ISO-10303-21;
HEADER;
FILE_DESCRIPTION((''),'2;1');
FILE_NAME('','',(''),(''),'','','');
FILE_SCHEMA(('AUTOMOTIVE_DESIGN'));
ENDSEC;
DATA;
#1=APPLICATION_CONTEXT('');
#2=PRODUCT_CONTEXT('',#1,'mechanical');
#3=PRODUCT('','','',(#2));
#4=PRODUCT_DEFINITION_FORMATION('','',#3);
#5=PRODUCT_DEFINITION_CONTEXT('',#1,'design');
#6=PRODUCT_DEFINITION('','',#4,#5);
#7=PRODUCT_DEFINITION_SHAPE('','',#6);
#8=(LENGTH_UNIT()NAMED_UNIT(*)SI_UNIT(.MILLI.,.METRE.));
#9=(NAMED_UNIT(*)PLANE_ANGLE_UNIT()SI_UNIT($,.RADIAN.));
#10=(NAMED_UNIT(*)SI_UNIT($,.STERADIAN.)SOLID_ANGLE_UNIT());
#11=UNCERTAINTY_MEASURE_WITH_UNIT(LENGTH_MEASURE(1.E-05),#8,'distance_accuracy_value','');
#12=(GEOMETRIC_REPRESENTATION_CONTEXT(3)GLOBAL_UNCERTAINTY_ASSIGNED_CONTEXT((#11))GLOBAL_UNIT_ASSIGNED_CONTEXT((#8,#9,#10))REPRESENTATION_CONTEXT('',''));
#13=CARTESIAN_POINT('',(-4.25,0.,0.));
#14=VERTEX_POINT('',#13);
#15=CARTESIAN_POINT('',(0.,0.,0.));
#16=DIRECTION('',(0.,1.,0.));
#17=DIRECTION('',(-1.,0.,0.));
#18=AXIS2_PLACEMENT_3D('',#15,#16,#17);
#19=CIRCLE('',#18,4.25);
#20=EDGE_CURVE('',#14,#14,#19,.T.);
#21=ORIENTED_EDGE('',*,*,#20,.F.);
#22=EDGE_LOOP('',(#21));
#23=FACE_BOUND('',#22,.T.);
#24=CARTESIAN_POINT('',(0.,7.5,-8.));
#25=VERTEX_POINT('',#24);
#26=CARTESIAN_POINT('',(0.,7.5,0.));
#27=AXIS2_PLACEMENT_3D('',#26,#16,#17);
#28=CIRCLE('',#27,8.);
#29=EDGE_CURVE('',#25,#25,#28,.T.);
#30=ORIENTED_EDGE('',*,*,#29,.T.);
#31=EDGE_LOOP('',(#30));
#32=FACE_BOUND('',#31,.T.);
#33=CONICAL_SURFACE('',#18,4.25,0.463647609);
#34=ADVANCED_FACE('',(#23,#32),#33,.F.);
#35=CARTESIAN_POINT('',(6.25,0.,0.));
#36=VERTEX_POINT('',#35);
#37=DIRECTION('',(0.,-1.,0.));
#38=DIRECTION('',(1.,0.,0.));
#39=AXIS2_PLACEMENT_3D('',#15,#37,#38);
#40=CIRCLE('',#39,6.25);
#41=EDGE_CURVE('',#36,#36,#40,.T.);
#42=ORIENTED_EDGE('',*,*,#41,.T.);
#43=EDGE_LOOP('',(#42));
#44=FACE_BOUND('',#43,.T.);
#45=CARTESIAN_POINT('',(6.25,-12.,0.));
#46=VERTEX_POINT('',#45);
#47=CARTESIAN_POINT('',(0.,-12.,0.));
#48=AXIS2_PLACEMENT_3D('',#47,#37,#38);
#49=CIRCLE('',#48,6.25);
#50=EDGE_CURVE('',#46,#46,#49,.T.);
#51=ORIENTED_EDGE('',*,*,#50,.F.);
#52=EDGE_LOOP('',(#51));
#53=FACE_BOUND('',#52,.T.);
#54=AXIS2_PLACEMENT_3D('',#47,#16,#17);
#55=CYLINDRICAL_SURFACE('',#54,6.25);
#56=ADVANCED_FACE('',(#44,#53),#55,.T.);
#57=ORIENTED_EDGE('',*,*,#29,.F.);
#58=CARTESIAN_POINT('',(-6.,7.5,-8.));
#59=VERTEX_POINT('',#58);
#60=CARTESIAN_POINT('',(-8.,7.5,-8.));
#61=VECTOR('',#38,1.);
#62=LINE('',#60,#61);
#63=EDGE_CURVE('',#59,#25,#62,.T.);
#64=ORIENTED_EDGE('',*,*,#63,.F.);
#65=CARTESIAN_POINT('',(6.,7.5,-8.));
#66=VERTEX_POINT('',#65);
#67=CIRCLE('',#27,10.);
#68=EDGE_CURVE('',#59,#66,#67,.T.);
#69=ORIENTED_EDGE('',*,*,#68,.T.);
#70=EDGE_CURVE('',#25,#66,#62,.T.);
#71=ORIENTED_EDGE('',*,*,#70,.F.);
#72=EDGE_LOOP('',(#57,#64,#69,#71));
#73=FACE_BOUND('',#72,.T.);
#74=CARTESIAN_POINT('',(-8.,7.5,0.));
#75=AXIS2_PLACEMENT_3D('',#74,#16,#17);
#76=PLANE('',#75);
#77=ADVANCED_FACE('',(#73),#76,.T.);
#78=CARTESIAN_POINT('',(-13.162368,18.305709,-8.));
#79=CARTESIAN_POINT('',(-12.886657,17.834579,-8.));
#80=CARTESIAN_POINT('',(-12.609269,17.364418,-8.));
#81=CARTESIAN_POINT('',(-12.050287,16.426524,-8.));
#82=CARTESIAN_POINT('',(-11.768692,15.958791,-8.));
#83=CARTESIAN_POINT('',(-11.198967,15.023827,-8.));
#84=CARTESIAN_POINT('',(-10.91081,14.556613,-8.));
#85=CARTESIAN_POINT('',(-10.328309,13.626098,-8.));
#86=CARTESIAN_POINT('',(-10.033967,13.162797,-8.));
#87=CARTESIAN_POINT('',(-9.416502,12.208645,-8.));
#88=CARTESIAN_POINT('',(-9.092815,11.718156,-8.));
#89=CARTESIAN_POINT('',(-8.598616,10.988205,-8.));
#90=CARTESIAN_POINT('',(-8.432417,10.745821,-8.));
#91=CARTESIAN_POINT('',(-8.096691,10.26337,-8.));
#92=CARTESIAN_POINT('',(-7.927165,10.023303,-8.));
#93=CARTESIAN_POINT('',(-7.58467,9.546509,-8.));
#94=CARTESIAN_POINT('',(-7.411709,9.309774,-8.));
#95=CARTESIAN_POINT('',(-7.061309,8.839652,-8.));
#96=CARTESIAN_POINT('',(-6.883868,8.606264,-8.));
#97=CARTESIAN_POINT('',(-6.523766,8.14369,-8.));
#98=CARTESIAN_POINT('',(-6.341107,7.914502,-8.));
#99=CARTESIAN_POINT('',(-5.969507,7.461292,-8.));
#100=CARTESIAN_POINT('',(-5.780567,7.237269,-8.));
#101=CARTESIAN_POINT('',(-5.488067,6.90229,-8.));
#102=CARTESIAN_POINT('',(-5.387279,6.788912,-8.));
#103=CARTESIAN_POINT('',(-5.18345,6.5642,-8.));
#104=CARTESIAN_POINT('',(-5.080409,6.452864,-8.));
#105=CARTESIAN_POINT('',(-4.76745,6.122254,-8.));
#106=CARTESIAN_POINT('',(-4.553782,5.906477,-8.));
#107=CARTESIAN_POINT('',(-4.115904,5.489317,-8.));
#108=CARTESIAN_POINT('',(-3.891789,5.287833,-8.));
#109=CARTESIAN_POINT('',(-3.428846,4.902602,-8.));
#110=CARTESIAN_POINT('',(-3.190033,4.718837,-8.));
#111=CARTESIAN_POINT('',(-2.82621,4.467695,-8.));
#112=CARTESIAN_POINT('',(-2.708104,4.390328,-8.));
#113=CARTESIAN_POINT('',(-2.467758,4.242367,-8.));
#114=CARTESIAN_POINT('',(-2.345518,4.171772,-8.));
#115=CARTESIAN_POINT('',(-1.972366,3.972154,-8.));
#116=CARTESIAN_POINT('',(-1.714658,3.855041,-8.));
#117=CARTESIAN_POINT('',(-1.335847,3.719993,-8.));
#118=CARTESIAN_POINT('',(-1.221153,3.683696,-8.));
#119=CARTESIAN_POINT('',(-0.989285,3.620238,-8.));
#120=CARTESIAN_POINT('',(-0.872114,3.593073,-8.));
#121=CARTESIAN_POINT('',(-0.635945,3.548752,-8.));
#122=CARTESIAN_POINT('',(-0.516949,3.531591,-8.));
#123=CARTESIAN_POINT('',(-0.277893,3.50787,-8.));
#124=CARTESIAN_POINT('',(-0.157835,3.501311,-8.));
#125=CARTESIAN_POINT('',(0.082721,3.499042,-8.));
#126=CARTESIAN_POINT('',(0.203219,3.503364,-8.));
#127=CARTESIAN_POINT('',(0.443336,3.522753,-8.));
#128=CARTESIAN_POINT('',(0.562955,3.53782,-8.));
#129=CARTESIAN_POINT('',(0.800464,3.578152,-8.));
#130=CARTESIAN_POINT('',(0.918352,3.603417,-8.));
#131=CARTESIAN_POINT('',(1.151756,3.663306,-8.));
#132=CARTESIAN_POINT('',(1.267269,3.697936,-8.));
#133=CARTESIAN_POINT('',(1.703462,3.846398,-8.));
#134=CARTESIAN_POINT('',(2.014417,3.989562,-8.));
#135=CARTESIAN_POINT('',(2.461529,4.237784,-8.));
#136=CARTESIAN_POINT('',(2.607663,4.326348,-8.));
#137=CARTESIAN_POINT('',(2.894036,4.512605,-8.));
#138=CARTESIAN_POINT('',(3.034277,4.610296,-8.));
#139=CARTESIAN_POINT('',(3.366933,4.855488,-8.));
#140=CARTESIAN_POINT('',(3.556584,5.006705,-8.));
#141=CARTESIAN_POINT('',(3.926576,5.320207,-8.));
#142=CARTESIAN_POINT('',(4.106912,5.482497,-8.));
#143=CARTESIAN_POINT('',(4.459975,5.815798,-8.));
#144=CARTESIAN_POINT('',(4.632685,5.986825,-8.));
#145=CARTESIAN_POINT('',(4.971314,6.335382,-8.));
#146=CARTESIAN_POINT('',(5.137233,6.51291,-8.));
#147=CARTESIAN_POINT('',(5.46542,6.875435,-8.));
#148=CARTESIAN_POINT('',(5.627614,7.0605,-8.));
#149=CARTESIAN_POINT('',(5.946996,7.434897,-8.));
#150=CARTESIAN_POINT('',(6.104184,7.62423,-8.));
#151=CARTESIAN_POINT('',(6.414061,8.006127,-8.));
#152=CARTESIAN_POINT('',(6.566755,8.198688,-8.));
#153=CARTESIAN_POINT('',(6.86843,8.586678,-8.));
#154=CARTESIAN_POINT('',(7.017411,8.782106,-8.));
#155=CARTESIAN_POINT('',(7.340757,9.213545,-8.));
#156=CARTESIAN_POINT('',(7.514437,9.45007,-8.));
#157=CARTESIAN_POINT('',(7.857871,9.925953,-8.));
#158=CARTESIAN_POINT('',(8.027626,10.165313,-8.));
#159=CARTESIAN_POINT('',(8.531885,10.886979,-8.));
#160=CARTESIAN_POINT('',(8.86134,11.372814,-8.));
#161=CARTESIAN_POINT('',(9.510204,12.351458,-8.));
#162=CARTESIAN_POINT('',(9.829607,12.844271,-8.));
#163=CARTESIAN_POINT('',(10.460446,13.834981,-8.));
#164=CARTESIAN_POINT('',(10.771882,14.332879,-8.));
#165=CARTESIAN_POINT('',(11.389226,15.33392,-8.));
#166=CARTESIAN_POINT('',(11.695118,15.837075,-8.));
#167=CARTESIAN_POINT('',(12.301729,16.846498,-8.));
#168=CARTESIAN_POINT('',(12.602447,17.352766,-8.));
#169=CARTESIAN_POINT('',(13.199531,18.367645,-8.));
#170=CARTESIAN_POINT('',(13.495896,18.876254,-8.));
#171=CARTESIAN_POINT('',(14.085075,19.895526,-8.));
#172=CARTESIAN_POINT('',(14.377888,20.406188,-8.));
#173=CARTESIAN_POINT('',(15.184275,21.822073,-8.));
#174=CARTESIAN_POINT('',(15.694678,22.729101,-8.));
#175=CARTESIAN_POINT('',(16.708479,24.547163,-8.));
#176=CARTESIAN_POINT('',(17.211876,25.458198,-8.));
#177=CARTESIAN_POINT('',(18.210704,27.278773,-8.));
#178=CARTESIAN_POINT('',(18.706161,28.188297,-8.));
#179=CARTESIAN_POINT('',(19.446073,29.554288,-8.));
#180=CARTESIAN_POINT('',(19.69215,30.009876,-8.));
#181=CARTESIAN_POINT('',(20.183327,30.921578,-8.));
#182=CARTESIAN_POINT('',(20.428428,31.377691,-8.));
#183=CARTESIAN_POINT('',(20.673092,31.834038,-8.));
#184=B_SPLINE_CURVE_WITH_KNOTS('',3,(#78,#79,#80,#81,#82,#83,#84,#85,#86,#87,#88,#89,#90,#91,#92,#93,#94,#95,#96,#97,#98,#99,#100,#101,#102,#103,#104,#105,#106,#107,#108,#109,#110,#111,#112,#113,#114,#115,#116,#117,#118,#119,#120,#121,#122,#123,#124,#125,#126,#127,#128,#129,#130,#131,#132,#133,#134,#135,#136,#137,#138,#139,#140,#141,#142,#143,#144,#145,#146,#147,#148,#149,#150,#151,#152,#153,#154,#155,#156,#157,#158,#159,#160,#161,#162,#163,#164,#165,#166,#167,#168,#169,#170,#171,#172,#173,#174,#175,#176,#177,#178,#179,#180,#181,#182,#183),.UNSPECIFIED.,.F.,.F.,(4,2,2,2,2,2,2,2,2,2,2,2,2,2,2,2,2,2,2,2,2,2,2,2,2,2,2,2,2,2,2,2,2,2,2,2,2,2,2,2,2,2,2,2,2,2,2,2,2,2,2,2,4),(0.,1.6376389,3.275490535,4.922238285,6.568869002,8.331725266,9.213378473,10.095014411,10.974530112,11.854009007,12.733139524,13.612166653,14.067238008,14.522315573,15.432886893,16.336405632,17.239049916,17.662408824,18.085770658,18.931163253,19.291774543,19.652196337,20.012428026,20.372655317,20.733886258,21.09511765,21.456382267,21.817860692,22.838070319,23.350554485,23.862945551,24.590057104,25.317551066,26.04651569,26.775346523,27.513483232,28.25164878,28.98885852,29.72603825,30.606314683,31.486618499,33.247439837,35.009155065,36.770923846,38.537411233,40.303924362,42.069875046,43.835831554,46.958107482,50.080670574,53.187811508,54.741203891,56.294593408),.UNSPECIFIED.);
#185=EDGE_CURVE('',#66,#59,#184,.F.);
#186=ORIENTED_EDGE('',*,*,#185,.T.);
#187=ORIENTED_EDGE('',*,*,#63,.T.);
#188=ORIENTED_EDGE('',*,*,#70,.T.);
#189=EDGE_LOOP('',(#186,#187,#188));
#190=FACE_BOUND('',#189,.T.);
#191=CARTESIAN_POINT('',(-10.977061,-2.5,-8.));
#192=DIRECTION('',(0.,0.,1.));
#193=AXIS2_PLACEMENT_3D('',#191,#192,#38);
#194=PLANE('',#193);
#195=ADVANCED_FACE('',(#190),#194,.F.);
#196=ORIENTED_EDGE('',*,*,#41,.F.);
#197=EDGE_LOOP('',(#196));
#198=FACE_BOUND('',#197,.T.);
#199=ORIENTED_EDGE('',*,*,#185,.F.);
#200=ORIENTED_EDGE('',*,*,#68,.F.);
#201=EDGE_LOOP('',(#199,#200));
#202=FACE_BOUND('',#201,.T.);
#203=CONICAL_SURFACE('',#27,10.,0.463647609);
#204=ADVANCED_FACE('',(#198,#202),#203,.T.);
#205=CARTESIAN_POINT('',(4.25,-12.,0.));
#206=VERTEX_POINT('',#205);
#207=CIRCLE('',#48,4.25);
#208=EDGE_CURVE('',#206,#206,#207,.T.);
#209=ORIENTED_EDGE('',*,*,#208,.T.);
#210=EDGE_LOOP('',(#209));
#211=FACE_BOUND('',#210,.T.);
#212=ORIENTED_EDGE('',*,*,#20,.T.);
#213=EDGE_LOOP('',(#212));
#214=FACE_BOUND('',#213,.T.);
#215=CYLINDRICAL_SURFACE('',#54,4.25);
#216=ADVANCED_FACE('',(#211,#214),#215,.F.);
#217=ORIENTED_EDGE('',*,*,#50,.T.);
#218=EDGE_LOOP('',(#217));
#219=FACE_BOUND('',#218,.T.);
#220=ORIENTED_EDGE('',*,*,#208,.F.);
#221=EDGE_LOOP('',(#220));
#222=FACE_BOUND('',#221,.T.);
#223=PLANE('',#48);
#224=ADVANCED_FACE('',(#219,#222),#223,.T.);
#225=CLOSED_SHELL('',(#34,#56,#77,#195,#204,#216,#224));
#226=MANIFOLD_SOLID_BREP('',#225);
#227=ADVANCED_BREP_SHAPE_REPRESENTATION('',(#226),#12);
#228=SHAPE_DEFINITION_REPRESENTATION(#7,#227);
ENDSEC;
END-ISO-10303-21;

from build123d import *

# Parameters (mm, degrees)
CROQUIS3_R              = 6.25
CROQUIS3_R_2            = 4.25
SALIENTE_EXTRUIR1_DEPTH = 12
CORTAR_EXTRUIR1_DEPTH   = 10


with BuildPart() as part:
    # Croquis2 → Revolución1 (revolve)
    with BuildSketch(Plane.XY):
        Polygon((-4.25, 0), (-8, 7.5), (-10, 7.5), (-6.25, 0), align=None)
    revolve(axis=Axis((0, 7.5, 0), (0, -1, 0)))

    # Croquis3 → Saliente-Extruir1 (add)
    with BuildSketch(Plane.XZ):
        Circle(CROQUIS3_R)
        Circle(CROQUIS3_R_2, mode=Mode.SUBTRACT)
    extrude(amount=SALIENTE_EXTRUIR1_DEPTH)

    # Croquis4 → Cortar-Extruir1 (cut)
    with BuildSketch(Plane(origin=(0, 7.5, 0), x_dir=(1, 0, 0), z_dir=(0, 1, 0))):
        Polygon((-10.977061444, 8), (10.977061444, 8), (0, 12.60914387), align=None)
    extrude(amount=-CORTAR_EXTRUIR1_DEPTH, mode=Mode.SUBTRACT)


solid = part.part
